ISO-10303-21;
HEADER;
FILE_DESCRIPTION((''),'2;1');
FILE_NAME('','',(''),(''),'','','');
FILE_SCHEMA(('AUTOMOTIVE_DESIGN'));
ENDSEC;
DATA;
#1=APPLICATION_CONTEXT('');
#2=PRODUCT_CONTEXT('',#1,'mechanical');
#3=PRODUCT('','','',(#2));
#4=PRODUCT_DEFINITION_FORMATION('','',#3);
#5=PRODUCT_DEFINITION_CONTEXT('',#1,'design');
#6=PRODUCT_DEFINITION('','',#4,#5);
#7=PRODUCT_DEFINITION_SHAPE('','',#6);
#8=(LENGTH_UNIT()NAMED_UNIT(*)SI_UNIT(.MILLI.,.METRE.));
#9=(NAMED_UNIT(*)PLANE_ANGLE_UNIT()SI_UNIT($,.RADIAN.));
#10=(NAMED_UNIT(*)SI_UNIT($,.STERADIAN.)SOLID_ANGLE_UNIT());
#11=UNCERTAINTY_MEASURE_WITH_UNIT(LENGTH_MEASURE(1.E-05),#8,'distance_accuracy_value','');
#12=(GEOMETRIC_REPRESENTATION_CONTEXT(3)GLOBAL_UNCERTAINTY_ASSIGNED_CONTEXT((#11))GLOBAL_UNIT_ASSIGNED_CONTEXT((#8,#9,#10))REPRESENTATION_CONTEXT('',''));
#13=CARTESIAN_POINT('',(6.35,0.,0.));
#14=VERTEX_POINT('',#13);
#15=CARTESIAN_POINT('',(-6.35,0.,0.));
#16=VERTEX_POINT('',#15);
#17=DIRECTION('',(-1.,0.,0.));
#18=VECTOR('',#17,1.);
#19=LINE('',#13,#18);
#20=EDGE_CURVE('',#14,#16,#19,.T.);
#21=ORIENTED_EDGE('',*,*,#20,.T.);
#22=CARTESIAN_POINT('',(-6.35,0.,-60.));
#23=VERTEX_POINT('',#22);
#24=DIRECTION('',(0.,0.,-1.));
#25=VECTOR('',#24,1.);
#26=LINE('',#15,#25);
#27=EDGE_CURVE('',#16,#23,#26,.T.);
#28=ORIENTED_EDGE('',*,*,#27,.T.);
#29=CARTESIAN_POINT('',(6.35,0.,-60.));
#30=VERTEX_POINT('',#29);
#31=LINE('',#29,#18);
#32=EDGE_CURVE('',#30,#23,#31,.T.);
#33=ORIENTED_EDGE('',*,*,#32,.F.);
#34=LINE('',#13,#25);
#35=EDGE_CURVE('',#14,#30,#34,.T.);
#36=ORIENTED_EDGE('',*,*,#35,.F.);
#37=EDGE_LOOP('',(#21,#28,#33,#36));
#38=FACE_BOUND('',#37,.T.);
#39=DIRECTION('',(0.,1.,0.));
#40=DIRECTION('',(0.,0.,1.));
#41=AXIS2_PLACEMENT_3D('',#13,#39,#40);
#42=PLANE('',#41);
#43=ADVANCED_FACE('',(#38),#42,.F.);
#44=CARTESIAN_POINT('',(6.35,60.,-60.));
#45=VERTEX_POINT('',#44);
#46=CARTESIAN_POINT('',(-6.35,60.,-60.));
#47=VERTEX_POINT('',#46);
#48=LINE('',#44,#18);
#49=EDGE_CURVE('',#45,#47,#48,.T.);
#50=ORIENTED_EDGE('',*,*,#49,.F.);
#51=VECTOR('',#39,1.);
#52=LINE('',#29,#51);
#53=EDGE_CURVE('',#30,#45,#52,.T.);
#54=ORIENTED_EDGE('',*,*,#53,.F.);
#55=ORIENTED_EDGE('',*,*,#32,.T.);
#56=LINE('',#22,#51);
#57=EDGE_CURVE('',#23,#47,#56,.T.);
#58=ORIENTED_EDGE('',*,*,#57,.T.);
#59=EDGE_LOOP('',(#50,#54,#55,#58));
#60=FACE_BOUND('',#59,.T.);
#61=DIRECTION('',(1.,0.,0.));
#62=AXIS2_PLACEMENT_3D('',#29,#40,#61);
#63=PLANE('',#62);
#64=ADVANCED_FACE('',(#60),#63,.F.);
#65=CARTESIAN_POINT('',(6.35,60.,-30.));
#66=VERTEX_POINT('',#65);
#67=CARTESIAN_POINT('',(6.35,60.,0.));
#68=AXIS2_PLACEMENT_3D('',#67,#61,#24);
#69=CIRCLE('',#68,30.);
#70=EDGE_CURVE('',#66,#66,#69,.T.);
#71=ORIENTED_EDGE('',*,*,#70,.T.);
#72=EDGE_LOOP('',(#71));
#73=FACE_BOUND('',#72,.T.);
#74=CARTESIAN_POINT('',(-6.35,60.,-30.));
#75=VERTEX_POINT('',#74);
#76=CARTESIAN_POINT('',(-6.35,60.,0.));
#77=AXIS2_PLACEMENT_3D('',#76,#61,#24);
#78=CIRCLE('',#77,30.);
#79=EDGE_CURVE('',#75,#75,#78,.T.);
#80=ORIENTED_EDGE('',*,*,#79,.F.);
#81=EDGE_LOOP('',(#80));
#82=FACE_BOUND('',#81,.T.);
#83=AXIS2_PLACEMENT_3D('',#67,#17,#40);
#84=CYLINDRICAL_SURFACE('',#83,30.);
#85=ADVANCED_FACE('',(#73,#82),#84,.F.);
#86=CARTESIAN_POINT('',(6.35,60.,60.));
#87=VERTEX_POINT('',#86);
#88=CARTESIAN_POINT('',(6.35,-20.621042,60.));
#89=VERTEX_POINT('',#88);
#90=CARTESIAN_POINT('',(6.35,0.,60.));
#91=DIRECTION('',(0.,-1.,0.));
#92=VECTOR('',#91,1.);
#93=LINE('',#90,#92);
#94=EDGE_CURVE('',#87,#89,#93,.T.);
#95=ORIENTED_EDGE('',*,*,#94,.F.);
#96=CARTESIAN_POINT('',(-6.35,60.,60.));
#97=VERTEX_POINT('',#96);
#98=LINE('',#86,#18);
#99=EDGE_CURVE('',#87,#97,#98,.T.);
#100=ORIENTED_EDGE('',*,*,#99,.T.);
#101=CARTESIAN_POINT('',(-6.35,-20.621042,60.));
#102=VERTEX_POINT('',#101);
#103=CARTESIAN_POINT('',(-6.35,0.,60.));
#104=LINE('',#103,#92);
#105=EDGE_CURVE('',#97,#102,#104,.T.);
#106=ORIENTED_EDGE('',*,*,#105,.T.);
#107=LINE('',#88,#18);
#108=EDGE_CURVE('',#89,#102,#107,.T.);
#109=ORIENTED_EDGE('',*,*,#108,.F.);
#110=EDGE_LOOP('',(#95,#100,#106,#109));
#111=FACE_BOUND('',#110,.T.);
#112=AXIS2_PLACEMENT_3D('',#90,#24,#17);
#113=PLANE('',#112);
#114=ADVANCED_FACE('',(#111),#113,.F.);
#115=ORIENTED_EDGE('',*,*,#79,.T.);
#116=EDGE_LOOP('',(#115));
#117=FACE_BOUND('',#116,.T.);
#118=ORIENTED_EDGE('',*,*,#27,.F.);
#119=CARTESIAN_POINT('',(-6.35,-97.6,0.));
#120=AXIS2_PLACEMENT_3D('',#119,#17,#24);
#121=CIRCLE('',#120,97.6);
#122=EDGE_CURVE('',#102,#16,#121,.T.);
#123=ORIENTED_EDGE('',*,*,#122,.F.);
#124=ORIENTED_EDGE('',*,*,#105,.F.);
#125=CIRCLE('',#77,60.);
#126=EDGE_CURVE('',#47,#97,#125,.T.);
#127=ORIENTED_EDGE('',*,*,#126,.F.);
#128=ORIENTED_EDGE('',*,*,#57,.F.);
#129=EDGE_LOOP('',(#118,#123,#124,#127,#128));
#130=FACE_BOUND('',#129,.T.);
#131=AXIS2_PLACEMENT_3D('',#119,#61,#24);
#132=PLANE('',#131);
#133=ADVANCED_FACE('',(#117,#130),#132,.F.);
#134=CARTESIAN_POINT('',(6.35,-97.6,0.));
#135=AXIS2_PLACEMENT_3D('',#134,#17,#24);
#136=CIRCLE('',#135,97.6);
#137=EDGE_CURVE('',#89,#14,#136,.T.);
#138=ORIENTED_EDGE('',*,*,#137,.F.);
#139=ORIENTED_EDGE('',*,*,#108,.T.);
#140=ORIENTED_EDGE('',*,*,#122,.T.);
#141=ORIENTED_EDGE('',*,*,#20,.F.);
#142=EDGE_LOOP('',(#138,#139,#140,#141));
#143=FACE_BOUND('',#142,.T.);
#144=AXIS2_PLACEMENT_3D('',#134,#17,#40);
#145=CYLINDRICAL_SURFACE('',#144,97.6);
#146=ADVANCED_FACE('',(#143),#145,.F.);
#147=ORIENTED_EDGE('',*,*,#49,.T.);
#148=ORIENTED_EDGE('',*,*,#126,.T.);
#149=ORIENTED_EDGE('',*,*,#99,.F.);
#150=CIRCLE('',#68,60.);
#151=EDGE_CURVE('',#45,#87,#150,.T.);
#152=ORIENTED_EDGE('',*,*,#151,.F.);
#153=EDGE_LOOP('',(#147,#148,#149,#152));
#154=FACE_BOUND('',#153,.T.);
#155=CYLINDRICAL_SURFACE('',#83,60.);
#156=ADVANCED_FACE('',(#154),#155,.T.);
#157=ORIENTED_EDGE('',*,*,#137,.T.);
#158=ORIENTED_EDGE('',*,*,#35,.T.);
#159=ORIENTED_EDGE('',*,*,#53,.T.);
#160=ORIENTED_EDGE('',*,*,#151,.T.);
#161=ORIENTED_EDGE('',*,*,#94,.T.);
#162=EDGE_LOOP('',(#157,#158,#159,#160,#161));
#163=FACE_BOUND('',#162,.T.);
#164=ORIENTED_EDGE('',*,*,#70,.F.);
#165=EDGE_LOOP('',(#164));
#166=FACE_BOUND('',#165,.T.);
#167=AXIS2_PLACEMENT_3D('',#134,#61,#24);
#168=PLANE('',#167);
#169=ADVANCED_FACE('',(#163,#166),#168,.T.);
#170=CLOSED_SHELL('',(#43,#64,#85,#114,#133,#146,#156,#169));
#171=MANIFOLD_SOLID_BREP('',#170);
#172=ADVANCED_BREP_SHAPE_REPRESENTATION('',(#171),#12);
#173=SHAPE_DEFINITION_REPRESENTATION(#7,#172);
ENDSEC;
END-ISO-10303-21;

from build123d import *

# Parameters (mm, degrees)
SKETCH1_R           = 30
BOSS_EXTRUDE1_DEPTH = 6.35


with BuildPart() as part:
    # Sketch1 → Boss-Extrude1 (new body, symmetric)
    with BuildSketch(Plane(origin=(0, 0, 0), x_dir=(0, 0, -1), z_dir=(1, 0, 0))):
        with BuildLine():
            Line((60, 0), (60, 60))
            ThreePointArc((60, 60), (0, 120), (-60, 60))
            Line((-60, 60), (-60, 0))
            Line((-60, 0), (-60, -20.621041836))
            ThreePointArc((-60, -20.621041836), (-31.722339788, -5.299116156), (0, 0))
            Line((0, 0), (60, 0))
        make_face()
        with Locations((0, 60)):
            Circle(SKETCH1_R, mode=Mode.SUBTRACT)
    extrude(amount=BOSS_EXTRUDE1_DEPTH, both=True)


solid = part.part
